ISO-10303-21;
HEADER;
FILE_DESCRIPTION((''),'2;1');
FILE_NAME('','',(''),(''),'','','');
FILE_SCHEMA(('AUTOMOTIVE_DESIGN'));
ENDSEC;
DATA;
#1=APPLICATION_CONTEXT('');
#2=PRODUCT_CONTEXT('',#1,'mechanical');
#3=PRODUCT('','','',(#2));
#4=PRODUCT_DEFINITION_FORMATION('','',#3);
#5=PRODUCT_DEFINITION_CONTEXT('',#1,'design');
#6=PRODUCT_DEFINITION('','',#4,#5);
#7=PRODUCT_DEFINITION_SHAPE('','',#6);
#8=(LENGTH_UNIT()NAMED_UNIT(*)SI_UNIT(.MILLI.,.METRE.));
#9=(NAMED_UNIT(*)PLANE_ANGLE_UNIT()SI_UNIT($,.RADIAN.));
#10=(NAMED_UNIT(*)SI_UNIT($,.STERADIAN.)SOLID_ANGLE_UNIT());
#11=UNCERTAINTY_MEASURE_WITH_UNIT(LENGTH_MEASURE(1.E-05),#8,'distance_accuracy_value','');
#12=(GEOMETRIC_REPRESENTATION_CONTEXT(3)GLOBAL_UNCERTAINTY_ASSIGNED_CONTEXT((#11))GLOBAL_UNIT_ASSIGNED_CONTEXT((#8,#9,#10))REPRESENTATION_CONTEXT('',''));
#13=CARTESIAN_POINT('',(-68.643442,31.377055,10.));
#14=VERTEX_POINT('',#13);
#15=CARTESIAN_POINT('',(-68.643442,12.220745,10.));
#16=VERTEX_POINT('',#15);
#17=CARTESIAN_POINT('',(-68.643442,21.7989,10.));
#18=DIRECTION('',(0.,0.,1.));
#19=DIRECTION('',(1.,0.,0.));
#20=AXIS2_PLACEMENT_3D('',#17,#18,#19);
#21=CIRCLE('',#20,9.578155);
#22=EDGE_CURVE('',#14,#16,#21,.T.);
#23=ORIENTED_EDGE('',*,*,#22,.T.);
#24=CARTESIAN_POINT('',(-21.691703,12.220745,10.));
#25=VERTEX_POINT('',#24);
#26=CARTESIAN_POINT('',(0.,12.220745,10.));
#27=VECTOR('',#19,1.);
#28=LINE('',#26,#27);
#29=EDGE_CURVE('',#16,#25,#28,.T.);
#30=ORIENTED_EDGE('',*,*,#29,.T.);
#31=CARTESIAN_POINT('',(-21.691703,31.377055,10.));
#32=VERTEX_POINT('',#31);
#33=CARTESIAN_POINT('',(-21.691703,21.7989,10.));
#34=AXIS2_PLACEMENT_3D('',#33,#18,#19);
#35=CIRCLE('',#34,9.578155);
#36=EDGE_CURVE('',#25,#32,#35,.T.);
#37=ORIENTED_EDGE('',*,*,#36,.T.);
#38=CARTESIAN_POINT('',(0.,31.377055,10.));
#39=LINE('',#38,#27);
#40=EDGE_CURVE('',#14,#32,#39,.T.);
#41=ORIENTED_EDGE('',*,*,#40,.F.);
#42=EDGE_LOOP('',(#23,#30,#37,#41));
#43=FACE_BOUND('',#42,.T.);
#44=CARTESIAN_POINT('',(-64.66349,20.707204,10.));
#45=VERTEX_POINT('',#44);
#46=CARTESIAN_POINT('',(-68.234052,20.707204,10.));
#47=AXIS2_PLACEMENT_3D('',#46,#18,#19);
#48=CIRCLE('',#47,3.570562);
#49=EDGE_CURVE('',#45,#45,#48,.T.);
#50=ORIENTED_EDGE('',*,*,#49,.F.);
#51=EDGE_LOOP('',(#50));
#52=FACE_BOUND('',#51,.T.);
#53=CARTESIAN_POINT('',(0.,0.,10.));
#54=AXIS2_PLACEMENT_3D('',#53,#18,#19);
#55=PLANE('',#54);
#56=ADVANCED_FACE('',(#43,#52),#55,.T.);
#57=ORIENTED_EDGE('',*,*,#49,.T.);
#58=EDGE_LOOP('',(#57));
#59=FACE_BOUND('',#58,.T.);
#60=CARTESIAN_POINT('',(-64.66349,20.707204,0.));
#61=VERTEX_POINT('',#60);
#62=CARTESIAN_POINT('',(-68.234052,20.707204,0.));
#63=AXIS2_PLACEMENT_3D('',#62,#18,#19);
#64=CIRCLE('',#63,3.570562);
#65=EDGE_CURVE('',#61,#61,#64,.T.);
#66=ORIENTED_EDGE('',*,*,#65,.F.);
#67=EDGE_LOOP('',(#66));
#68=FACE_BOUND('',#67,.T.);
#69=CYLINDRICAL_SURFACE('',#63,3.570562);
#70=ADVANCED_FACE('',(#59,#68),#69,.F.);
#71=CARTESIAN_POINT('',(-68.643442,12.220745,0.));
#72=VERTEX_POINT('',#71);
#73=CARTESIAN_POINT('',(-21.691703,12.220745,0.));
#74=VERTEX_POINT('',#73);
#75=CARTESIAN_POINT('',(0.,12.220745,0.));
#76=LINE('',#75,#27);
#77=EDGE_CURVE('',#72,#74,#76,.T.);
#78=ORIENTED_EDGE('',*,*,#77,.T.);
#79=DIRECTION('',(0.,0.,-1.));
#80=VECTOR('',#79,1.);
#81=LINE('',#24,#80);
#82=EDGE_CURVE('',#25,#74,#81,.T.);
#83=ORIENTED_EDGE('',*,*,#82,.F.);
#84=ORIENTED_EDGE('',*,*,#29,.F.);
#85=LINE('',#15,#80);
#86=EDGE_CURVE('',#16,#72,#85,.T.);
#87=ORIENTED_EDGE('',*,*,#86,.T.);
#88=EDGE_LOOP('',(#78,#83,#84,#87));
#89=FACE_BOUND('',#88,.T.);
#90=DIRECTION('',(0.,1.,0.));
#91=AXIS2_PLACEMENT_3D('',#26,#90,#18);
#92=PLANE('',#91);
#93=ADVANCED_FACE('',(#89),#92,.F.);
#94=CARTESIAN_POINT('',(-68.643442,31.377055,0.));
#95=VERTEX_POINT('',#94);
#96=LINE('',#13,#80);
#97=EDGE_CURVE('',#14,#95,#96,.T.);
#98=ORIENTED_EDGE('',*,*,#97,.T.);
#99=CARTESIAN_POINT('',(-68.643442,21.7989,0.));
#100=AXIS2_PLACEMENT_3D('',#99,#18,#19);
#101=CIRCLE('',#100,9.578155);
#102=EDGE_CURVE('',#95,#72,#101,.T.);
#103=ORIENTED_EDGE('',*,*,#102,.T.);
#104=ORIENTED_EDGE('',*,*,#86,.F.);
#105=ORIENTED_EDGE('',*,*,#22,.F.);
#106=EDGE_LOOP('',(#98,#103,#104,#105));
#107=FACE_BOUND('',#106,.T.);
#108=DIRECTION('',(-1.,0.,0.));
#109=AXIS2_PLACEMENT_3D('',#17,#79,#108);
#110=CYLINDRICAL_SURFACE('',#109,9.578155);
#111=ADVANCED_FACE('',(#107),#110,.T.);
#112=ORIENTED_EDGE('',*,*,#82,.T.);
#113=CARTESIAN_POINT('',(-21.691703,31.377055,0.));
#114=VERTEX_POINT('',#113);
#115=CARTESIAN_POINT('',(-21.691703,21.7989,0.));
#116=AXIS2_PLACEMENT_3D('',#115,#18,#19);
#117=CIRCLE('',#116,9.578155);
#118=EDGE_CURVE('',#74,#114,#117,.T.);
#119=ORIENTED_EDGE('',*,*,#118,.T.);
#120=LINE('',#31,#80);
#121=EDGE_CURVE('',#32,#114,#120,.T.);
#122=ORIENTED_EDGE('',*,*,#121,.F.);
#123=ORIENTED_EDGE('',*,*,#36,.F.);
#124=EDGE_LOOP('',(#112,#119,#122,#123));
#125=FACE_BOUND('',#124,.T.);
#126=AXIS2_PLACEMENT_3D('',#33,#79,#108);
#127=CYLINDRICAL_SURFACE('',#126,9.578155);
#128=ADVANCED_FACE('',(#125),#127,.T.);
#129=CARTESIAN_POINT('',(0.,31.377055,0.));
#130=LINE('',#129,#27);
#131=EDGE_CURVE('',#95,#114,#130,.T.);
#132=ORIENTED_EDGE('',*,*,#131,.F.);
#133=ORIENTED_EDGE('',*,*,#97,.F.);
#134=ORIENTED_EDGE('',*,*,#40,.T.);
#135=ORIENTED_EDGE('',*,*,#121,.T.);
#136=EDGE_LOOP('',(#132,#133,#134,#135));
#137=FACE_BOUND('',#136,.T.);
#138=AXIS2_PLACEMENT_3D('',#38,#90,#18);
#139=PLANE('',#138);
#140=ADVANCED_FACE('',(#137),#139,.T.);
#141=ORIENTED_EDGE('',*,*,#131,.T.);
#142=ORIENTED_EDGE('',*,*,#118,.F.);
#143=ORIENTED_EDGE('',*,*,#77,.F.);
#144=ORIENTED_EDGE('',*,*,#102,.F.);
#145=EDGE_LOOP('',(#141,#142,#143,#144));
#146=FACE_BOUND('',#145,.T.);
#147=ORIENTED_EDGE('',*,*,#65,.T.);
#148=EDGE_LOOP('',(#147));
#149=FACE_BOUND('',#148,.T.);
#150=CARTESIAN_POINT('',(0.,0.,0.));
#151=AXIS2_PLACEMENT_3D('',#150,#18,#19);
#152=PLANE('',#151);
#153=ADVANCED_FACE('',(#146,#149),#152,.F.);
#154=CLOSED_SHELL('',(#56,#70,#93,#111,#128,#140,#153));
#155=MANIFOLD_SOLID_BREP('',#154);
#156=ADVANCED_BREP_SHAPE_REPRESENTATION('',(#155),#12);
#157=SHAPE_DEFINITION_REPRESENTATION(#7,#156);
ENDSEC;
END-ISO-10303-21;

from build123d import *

# Parameters (mm, degrees)
EXTRUDE_1_DEPTH     = 10
SKETCH_2_R          = 3.570561941
CUT_EXTRUDE_1_DEPTH = 10


with BuildPart() as part:
    # 草图1 → 凸台-拉伸1 (new body)
    with BuildSketch(Plane.XY):
        with BuildLine():
            Line((-68.643442379, 31.377054714), (-21.691703406, 31.377054714))
            ThreePointArc((-21.691703406, 31.377054714), (-12.113548655, 21.798899964), (-21.691703406, 12.220745213))
            Line((-21.691703406, 12.220745213), (-68.643442379, 12.220745213))
            ThreePointArc((-68.643442379, 12.220745213), (-78.221597129, 21.798899964), (-68.643442379, 31.377054714))
        make_face()
    extrude(amount=EXTRUDE_1_DEPTH)

    # 草图2 → 切除-拉伸1 (cut)
    with BuildSketch(Plane.XY.offset(10)):
        with Locations((-68.234052305, 20.707203992)):
            Circle(SKETCH_2_R)
    extrude(amount=-CUT_EXTRUDE_1_DEPTH, mode=Mode.SUBTRACT)


solid = part.part
